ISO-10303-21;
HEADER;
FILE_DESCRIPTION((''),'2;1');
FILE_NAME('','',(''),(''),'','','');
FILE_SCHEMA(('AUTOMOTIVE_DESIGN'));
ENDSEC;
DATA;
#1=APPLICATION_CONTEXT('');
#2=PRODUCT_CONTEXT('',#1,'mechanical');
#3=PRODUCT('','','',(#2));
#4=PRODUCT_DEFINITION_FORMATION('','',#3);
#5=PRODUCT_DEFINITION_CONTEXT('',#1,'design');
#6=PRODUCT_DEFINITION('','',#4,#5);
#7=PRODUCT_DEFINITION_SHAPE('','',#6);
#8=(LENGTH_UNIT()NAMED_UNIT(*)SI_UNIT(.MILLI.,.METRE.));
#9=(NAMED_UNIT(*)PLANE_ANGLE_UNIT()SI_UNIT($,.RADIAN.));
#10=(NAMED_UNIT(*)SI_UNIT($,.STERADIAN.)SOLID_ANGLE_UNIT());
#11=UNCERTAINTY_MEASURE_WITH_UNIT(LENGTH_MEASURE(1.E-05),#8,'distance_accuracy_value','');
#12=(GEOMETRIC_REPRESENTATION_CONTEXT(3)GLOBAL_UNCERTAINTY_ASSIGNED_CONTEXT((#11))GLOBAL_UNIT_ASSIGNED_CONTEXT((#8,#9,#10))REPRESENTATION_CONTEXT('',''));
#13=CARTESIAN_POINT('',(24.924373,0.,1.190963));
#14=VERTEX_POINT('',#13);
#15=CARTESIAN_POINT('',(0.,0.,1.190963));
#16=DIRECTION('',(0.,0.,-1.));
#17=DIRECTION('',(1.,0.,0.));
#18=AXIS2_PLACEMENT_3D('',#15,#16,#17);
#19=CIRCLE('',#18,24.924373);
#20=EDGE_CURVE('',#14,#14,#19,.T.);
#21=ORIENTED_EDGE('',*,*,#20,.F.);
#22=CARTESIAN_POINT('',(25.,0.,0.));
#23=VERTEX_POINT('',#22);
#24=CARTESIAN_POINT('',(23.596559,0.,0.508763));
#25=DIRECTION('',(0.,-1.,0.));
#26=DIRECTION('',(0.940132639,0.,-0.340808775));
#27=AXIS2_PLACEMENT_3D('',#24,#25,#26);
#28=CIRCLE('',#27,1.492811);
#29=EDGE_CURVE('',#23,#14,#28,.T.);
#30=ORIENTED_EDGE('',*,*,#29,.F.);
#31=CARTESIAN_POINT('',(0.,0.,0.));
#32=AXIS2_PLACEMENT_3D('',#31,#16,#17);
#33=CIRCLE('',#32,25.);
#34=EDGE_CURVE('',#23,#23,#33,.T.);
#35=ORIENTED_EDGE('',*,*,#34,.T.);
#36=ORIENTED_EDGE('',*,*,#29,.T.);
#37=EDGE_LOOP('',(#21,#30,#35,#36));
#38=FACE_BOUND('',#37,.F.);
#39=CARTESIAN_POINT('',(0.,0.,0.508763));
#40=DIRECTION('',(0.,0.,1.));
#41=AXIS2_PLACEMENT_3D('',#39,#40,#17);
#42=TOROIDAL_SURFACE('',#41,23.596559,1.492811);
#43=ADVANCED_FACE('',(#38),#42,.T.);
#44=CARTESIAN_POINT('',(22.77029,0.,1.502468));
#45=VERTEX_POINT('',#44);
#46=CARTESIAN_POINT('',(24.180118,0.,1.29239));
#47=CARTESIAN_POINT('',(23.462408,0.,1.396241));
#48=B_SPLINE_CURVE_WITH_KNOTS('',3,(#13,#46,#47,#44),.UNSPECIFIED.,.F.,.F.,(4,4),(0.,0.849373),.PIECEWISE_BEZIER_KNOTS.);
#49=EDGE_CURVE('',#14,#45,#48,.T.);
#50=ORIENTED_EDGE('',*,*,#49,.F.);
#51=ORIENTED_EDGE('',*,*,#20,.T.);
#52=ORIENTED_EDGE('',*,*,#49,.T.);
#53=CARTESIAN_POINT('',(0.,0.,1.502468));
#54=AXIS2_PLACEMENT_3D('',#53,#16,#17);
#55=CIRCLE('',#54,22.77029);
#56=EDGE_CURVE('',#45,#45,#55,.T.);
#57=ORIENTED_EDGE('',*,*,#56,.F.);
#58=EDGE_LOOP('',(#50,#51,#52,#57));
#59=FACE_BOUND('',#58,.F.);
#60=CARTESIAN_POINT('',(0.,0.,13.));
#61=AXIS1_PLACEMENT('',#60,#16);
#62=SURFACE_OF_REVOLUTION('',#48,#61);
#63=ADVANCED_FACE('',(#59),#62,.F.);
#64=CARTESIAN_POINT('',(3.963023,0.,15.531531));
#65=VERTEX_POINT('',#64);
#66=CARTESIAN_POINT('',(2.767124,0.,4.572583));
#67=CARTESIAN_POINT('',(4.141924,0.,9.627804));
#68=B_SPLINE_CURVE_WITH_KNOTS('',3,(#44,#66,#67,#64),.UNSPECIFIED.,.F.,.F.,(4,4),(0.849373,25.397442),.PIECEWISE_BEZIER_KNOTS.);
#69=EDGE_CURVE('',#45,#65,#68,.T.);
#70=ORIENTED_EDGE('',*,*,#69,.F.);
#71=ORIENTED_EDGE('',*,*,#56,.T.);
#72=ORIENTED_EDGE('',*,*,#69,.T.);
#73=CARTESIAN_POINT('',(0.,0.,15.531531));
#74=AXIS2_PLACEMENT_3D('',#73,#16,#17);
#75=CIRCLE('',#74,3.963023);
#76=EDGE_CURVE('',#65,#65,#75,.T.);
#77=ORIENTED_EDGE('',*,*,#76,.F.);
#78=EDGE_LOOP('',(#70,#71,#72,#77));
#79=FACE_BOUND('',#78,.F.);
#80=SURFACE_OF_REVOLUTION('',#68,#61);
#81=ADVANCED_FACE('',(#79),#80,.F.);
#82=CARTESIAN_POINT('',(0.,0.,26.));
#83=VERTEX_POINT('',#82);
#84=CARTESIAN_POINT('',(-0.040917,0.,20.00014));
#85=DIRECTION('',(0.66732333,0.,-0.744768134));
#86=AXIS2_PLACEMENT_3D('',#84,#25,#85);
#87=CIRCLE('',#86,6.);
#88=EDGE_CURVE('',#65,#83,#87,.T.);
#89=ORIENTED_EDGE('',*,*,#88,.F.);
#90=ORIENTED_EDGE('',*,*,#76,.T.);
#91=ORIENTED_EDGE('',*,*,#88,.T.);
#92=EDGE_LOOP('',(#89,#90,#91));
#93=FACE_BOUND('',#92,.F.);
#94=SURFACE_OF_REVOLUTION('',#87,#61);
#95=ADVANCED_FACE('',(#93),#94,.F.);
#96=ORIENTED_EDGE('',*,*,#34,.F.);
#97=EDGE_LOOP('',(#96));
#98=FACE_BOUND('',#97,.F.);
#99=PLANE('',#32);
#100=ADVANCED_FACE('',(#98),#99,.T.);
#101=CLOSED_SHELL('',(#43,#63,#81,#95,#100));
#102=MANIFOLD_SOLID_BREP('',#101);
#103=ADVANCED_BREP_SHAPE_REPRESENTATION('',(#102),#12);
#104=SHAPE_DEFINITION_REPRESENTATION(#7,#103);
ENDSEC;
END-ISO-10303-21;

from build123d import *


with BuildPart() as f1:
    # F0 (on Front) → F1 (revolve)
    with BuildSketch(Plane.XZ):
        with BuildLine():
            Line((0, 26), (0, 0))
            Line((0, 0), (25, 0))
            ThreePointArc((25, 0), (25.08637, 0.603367), (24.924373, 1.190963))
            add(Edge.make_bspline(
                [(24.924373, 1.190963), (24.180118, 1.29239), (23.462408, 1.396241), (22.77029, 1.502468)],
                knots=[0, 0, 0, 0, 0.849373, 0.849373, 0.849373, 0.849373], degree=3))
            add(Edge.make_bspline(
                [(22.77029, 1.502468), (2.767124, 4.572583), (4.141924, 9.627804), (3.963023, 15.531531)],
                knots=[0.849373, 0.849373, 0.849373, 0.849373, 25.397442, 25.397442, 25.397442, 25.397442], degree=3))
            ThreePointArc((3.963023, 15.531531), (5.570449, 22.124421), (0, 26))
        make_face()
    revolve(axis=Axis((0, 0, 13), (0, 0, -1)))


solid = f1.part
